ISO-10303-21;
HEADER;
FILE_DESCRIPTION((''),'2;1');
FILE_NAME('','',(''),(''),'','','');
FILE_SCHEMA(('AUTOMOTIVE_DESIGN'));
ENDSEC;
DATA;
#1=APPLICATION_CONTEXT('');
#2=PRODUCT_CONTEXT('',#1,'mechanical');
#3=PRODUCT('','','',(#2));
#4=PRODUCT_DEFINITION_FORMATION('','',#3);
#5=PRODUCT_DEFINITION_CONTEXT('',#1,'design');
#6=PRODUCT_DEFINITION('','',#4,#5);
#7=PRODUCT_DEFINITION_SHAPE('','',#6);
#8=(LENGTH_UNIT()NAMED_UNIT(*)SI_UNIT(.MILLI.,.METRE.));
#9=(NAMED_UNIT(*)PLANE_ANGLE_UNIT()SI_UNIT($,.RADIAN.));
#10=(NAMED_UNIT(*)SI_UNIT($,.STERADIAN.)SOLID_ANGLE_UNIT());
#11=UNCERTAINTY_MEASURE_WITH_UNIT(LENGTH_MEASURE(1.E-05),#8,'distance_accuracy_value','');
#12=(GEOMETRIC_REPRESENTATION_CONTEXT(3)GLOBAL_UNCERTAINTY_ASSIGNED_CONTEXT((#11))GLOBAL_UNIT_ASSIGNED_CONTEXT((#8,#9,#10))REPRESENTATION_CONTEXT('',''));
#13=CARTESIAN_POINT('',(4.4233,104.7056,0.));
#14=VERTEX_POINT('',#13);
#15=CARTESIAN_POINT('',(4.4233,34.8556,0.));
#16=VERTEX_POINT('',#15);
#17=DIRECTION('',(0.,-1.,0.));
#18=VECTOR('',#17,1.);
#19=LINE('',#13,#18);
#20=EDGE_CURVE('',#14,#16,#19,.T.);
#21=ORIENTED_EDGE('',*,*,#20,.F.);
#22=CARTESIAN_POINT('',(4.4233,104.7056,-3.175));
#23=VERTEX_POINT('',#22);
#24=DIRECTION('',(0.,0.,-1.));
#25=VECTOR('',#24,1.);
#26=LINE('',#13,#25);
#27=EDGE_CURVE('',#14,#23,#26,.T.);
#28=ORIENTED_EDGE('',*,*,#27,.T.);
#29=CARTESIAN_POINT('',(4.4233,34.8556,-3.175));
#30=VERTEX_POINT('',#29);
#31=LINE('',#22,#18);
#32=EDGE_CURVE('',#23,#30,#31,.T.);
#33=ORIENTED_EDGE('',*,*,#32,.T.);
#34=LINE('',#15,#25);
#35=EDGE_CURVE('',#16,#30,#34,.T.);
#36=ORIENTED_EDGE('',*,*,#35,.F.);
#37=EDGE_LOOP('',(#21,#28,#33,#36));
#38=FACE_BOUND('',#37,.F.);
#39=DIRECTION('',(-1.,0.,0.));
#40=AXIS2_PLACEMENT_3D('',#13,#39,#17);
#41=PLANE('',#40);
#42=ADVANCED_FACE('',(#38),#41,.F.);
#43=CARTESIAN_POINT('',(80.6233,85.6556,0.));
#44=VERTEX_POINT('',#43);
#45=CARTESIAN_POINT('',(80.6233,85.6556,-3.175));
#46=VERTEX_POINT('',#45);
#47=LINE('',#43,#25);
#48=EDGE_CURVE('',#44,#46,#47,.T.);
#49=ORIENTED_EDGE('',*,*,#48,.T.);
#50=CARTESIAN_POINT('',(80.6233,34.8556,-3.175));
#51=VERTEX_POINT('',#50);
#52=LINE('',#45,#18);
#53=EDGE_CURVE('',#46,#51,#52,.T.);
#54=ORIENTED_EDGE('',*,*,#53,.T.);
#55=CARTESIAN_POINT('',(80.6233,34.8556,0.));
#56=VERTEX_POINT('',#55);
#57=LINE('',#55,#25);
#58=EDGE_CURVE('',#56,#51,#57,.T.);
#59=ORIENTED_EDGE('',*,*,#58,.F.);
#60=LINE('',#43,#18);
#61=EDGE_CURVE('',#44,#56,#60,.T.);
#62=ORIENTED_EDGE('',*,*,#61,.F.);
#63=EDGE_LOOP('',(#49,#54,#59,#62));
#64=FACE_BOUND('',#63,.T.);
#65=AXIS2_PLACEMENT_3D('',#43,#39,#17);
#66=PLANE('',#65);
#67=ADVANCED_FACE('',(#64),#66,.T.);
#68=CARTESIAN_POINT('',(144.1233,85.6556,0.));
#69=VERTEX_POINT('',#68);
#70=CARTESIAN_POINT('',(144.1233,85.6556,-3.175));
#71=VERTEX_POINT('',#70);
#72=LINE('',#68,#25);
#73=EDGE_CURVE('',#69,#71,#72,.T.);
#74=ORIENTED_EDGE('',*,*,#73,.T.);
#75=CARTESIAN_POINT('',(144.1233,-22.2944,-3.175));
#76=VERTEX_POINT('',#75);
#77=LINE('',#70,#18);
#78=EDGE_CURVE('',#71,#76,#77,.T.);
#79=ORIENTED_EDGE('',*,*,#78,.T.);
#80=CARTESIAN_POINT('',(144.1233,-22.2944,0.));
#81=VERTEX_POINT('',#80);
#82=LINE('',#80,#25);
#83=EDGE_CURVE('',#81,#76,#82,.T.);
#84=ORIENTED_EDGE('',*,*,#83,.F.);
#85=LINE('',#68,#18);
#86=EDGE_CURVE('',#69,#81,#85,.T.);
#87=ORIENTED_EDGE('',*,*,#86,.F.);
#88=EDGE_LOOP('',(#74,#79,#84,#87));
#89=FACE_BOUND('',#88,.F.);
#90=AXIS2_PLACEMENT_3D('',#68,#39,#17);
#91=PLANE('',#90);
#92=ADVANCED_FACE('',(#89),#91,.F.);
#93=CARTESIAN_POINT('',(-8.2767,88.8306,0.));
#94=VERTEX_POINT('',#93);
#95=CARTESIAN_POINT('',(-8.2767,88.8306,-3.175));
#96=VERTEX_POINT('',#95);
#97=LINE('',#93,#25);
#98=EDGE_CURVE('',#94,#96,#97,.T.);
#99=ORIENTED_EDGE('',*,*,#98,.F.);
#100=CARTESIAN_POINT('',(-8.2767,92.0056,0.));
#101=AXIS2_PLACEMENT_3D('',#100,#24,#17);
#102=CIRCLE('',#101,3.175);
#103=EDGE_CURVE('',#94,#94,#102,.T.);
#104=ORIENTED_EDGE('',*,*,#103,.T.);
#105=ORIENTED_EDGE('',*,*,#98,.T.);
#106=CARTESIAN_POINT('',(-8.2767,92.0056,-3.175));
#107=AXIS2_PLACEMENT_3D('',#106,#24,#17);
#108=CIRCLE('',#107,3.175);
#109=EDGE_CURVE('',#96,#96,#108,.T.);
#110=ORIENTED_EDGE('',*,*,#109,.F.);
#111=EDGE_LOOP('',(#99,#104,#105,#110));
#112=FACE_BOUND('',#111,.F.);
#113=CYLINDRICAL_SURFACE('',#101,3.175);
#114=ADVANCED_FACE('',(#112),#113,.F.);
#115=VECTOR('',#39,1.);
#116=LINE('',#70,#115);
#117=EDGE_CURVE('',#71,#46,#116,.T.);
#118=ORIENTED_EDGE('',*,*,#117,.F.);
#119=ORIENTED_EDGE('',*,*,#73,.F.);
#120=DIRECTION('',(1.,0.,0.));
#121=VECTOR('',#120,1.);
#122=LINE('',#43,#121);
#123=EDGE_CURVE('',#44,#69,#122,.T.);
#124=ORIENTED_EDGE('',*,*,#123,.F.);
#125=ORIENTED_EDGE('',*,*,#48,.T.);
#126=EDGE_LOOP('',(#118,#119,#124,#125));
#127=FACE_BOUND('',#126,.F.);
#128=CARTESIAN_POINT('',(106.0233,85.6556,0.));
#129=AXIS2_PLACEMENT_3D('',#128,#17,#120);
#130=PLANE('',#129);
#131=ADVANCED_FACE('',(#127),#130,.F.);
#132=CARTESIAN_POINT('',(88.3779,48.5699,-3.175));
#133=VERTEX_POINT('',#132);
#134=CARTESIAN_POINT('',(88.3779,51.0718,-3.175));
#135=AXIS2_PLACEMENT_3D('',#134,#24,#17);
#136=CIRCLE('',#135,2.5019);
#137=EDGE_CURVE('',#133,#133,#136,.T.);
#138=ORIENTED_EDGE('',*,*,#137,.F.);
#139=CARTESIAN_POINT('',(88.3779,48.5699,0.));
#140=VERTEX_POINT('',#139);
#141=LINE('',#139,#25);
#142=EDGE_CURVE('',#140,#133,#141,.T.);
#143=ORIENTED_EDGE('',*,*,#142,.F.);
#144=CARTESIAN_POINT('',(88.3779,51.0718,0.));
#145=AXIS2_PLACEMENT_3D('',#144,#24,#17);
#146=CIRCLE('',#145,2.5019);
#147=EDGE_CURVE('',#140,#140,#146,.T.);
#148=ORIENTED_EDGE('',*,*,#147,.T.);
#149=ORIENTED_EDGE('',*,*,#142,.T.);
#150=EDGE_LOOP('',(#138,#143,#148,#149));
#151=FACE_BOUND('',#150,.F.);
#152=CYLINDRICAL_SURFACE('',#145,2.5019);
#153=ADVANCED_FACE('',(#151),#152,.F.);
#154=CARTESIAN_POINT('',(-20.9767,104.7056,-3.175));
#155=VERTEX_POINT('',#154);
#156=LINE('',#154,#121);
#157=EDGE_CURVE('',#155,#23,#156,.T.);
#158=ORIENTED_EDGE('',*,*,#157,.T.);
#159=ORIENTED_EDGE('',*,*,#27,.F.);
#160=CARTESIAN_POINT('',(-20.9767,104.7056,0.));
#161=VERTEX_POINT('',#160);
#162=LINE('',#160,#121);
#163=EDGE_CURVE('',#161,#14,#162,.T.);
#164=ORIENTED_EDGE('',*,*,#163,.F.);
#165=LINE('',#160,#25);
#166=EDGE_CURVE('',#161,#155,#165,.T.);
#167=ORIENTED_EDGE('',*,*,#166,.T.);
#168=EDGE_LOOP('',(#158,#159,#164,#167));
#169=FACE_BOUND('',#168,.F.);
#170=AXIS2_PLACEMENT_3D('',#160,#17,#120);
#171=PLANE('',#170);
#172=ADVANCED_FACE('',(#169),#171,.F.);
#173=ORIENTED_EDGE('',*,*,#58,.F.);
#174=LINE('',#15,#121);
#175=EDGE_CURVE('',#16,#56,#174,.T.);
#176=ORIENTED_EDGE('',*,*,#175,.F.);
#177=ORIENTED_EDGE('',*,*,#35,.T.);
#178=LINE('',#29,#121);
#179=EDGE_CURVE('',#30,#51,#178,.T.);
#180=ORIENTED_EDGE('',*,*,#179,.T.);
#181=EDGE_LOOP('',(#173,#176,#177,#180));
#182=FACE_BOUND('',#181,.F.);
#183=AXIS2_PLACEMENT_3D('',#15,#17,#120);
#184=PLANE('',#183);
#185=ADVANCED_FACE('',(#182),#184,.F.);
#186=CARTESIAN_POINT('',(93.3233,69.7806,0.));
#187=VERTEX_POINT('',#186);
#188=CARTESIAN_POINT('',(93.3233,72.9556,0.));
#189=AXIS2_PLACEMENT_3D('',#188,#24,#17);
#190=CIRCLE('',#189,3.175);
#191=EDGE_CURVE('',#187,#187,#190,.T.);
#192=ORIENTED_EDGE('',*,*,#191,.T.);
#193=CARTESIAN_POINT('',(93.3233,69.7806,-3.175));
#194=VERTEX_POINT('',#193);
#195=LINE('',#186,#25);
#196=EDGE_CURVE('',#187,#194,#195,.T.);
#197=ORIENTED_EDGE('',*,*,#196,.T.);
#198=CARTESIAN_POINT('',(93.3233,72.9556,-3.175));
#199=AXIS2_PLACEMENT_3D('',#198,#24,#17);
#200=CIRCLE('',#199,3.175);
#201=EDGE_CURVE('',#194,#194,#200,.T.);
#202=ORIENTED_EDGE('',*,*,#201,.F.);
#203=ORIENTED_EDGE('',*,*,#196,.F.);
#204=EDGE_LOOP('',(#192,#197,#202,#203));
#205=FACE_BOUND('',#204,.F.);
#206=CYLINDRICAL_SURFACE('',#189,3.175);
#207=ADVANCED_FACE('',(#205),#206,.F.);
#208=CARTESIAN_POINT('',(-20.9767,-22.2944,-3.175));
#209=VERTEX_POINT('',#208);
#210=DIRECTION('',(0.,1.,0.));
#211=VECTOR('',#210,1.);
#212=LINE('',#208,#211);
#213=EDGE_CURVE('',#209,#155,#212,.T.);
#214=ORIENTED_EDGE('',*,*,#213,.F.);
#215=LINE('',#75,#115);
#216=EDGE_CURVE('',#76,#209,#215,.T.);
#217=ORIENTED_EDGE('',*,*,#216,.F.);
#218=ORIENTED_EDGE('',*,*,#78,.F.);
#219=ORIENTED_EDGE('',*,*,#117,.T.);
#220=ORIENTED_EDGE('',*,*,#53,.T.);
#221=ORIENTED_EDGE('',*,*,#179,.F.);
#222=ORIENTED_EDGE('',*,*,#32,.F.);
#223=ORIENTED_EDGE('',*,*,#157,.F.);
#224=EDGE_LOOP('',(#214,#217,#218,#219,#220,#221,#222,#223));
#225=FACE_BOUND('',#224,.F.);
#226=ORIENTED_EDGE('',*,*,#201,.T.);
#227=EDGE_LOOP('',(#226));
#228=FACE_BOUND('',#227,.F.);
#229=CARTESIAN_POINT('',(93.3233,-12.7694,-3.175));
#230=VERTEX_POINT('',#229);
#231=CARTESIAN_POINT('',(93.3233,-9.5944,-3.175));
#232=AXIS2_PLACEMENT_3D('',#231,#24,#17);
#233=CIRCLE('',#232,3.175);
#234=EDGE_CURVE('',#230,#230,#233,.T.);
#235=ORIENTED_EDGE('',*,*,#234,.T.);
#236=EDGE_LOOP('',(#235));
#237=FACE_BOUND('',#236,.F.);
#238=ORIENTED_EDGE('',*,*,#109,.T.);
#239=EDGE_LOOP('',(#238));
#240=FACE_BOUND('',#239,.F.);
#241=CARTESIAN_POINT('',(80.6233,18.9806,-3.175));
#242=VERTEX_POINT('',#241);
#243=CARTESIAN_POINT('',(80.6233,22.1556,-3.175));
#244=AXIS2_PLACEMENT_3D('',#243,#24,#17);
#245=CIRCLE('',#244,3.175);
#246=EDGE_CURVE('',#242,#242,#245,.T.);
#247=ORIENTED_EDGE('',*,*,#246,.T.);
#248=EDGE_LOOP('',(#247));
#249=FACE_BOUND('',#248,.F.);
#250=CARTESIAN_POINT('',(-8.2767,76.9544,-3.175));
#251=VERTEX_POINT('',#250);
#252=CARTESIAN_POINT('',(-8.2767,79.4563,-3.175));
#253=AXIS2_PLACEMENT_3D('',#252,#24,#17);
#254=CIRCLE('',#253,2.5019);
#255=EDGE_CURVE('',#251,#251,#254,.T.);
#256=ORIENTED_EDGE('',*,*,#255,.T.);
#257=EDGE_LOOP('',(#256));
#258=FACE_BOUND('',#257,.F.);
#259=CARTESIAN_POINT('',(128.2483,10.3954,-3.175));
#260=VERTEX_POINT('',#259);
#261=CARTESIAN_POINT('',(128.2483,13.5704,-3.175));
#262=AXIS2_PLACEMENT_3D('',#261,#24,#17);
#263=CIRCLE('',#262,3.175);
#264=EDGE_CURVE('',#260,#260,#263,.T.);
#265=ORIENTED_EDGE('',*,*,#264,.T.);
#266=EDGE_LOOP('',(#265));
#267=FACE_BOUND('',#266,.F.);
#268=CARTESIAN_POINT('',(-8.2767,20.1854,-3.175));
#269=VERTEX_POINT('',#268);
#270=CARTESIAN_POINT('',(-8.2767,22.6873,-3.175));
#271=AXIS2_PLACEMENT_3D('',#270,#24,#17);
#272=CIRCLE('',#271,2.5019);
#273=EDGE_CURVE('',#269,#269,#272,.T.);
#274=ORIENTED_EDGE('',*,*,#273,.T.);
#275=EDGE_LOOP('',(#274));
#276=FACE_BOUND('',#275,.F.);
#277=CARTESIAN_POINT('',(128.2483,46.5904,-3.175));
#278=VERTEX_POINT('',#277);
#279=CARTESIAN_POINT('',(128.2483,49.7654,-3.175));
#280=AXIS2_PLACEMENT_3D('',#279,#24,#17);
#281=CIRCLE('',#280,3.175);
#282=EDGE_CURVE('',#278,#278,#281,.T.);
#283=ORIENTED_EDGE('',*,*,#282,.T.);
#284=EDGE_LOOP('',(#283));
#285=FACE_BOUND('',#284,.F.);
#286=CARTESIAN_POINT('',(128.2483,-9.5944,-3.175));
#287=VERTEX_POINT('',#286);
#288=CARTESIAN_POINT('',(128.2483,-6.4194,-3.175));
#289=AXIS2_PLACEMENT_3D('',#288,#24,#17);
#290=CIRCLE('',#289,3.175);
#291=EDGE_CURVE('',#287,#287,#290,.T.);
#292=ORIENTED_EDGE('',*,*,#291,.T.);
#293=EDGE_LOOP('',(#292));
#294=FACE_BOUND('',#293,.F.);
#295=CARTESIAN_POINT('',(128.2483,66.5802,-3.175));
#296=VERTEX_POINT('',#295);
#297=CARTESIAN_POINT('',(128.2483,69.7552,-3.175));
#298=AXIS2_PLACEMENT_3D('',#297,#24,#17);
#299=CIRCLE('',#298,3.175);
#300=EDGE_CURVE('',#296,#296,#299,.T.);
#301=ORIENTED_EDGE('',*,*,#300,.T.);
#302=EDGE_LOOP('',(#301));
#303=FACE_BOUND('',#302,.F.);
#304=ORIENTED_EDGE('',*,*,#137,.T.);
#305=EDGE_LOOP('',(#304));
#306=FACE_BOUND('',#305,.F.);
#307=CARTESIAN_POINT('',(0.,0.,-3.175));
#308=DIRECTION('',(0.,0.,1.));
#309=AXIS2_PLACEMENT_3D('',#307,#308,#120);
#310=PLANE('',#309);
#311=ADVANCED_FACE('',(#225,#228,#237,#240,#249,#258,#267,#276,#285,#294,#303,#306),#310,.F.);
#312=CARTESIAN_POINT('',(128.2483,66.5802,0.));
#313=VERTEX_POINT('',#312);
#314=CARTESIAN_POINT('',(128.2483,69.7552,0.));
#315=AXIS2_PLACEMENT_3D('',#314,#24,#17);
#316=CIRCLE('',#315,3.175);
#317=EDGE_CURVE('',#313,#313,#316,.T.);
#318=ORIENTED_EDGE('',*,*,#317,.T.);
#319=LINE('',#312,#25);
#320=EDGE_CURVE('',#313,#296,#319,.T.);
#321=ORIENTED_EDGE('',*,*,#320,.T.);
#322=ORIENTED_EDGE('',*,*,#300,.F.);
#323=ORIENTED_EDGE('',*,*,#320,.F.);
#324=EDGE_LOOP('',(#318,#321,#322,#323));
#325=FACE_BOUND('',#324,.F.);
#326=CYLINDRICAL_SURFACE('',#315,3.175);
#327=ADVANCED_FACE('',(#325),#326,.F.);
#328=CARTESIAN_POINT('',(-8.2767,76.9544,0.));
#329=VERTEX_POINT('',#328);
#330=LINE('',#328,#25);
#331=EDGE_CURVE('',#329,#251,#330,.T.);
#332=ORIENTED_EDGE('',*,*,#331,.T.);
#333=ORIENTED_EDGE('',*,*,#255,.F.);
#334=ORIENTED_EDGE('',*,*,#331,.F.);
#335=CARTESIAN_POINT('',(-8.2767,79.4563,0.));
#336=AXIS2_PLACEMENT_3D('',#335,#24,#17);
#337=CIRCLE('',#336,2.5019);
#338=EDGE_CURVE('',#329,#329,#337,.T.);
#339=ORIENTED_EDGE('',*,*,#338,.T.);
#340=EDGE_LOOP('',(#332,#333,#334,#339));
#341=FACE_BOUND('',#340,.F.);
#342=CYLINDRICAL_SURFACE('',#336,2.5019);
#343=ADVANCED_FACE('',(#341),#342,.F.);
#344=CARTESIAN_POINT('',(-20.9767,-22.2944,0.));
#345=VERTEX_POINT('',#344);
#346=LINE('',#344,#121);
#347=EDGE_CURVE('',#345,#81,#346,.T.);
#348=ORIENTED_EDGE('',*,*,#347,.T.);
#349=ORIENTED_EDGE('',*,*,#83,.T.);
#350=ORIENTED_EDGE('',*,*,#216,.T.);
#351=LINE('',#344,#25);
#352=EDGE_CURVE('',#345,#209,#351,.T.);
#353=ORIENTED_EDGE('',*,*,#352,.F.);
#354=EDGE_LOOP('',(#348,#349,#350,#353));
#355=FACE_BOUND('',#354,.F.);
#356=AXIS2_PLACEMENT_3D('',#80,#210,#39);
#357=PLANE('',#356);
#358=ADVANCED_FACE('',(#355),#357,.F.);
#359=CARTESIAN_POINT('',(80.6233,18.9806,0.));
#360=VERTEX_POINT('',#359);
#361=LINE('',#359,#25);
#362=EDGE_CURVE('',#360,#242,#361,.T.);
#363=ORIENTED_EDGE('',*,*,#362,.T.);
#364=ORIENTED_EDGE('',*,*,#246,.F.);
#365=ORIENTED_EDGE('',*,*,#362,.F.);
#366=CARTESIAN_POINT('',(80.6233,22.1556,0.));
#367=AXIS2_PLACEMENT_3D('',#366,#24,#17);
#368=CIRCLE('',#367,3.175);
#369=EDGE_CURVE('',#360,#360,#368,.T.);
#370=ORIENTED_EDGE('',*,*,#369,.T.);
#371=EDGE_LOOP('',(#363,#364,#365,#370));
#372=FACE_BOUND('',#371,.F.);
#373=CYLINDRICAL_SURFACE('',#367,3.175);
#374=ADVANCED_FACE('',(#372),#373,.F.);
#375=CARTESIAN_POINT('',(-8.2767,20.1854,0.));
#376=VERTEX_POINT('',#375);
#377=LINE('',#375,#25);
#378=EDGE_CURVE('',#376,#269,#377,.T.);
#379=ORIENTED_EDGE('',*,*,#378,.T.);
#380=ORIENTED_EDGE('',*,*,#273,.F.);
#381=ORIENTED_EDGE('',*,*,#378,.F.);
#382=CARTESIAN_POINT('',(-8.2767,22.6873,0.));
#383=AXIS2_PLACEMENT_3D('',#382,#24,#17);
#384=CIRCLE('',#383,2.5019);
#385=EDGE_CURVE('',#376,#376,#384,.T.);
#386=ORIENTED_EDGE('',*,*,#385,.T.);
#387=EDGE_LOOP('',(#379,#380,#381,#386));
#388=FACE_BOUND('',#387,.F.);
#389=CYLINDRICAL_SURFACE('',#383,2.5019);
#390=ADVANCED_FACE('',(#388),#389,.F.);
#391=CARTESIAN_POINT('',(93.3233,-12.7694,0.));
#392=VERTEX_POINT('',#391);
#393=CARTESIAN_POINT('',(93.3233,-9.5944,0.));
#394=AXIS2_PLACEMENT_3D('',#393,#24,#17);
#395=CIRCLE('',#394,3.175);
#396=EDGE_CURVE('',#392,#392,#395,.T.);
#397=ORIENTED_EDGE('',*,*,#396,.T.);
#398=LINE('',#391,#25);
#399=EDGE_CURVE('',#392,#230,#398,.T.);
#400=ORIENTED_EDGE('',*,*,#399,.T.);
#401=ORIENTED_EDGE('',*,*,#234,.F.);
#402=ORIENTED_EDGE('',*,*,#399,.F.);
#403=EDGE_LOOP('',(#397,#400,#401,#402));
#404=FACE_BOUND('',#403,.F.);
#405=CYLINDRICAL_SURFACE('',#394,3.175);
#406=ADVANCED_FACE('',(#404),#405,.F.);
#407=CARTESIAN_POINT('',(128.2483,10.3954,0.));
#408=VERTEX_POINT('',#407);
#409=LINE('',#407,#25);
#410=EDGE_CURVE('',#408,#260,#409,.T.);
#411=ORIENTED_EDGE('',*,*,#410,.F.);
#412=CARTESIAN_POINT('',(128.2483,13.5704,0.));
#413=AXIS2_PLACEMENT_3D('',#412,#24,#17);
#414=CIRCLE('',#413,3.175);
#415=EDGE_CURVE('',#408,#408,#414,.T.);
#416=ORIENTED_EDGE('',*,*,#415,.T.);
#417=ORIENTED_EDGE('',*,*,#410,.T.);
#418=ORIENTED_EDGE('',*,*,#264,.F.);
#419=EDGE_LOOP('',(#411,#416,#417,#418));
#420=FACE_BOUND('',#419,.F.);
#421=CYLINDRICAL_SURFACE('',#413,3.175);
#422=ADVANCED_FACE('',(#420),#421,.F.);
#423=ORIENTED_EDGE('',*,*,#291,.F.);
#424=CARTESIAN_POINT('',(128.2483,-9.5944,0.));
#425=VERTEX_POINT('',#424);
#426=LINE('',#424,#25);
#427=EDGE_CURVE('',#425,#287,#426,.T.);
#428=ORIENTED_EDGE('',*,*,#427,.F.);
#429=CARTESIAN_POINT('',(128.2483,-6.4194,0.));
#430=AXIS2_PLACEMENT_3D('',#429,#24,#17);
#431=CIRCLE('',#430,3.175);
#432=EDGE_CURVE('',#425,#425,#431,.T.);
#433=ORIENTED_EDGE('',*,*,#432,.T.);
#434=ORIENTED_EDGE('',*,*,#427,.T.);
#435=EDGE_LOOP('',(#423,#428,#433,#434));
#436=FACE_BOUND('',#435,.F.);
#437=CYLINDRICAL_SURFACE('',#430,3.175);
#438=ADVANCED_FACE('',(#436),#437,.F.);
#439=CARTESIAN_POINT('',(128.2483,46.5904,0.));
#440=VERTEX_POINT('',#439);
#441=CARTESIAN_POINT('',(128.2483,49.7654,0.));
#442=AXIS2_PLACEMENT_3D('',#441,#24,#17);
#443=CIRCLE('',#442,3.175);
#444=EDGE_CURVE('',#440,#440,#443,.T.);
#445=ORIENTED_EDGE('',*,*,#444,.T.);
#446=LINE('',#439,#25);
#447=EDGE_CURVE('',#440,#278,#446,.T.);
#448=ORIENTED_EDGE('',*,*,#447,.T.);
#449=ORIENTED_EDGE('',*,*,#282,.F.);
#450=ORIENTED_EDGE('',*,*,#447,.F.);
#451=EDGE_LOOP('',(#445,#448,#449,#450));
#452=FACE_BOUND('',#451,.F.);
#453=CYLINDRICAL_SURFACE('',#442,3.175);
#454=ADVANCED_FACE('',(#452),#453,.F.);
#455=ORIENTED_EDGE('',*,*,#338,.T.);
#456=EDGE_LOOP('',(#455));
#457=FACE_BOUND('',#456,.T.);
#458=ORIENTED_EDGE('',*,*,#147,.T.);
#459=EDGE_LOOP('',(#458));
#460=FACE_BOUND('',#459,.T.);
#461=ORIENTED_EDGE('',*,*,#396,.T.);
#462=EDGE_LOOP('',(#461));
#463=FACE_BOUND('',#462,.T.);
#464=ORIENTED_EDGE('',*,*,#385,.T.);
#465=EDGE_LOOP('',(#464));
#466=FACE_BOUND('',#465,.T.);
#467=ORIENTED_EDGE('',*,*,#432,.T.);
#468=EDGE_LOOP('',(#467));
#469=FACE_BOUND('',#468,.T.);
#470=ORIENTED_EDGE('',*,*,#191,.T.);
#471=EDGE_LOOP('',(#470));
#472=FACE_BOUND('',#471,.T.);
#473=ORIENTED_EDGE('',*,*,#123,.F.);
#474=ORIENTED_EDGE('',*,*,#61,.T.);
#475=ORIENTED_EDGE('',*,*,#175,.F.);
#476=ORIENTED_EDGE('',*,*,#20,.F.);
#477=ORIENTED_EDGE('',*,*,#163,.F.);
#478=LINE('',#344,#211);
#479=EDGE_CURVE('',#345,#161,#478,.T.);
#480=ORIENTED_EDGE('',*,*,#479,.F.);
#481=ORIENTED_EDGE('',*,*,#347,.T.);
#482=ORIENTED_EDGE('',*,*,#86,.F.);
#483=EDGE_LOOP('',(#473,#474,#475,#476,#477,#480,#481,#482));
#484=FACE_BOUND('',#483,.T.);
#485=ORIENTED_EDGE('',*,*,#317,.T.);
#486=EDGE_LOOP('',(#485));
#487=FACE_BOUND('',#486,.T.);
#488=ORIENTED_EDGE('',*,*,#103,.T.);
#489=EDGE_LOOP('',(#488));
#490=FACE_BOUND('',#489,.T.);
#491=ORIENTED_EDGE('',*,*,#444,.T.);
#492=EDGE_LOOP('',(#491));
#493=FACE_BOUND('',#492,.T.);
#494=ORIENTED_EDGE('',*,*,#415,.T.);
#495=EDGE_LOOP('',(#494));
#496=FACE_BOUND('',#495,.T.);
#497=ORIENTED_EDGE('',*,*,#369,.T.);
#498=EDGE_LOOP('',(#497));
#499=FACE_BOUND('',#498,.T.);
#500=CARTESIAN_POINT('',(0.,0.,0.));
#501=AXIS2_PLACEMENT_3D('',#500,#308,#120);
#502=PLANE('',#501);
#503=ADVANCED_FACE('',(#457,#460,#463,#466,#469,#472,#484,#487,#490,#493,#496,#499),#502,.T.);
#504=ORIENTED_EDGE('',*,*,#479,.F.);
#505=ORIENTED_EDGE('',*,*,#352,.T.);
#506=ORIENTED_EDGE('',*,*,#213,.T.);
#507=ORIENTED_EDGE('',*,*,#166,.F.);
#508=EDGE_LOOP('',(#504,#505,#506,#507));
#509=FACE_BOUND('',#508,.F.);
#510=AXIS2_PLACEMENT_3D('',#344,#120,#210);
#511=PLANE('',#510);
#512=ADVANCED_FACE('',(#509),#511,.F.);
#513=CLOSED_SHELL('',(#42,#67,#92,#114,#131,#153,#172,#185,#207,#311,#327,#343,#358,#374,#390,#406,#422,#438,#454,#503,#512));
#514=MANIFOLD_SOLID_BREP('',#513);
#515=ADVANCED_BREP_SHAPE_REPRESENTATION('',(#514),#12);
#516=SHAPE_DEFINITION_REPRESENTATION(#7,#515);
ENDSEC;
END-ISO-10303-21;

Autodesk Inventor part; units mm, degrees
ref_plane "YZ Plane" through (0, 0, 0) normal (1, 0, 0) x (0, 1, 0)
ref_plane "XZ Plane" through (0, 0, 0) normal (0, 1, 0) x (-1, 0, 0)
ref_plane "XY Plane" through (0, 0, 0) normal (0, 0, 1) x (1, 0, 0)
sketch "Sketch1" plane through (0, 0, 0) normal (0, 0, 1) x (1, 0, 0)
  line L0 (106.0233, -22.2944) -> (-20.9767, -22.2944)
  line L1 (-20.9767, -22.2944) -> (-20.9767, 104.7056)
  line L2 (4.4233, 104.7056) -> (4.4233, 34.8556)
  line L3 (4.4233, 34.8556) -> (80.6233, 34.8556)
  line L4 (-20.9767, 104.7056) -> (4.4233, 104.7056)
  line L5 (106.0233, -22.2944) -> (106.0233, 85.6556)
  line L6 (106.0233, 85.6556) -> (80.6233, 85.6556)
  line L7 (80.6233, 85.6556) -> (80.6233, 34.8556)
  line L8 (106.0233, 85.6556) -> (144.1233, 85.6556)
  line L9 (144.1233, 85.6556) -> (144.1233, -22.2944)
  line L10 (144.1233, -22.2944) -> (106.0233, -22.2944)
  point P0 (0, 0)
  point P1 (-8.2767, 79.4563)
  point P2 (-8.2767, 22.6873)
  point P3 (88.3779, 51.0718)
  point P4 (93.3233, 72.9556)
  point P5 (-8.2767, 92.0056)
  point P6 (80.6233, 22.1556)
  point P7 (93.3233, -9.5944)
  point P8 (128.2483, 13.5704)
  point P9 (128.2483, -6.4194)
  point P10 (128.2483, 69.7552)
  point P11 (128.2483, 49.7654)
  dimension "d0" = 127
  dimension "d5" = 56.769
  dimension "d6" = 96.6546
  dimension "d7" = 12.7
  dimension "d8" = 25.4
  dimension "d9" = 76.2
  dimension "d12" = 107.95
  dimension "d13" = 25.4
  dimension "d14" = 50.8
  dimension "d22" = 28.3845
  dimension "d23" = 127
  dimension "d24" = 25.4
  dimension "d25" = 12.7
  dimension "d26" = 12.7
  dimension "d27" = 44.45
  dimension "d29" = 12.7
  dimension "d30" = 12.7
  dimension "d38" = 12.7
  dimension "d39" = 12.7
  dimension "d40" = 38.1
  dimension "d41" = 107.95
  dimension "d42" = 19.9898
  dimension "d43" = 15.875
  dimension "d53" = 15.875
  dimension "d54" = 15.875
  dimension "d55" = 15.875
  dimension "d56" = 15.875
  dimension "d57" = 15.9004
  dimension "d58" = 19.9898
extrude "Extrusion1" add sketch "Sketch1" against normal blind 3.175 contours L0 L1 L4 L2 L3 L7 L6 L5
hole "Hole1" at (-8.2767, 79.4563, 0) at (-8.2767, 22.6873, 0) at (88.3779, 51.0718, 0) direction (0, 0, -1) diameter 5.0038 depth 25.4 tip angle 118
hole "Hole2" at (93.3233, 72.9556, 0) at (-8.2767, 92.0056, 0) at (80.6233, 22.1556, 0) at (93.3233, -9.5944, 0) direction (0, 0, -1) diameter 6.35 depth 25.4 tip angle 118
extrude "Extrusion2" add sketch "Sketch1" against normal blind 3.175 contours L5 L8 L9 L10
hole "Hole3" at (128.2483, 13.5704, 0) at (128.2483, -6.4194, 0) at (128.2483, 69.7552, 0) at (128.2483, 49.7654, 0) direction (0, 0, -1) diameter 6.35 depth 25.4 tip angle 118
properties part number "AS5-8-5-001"
